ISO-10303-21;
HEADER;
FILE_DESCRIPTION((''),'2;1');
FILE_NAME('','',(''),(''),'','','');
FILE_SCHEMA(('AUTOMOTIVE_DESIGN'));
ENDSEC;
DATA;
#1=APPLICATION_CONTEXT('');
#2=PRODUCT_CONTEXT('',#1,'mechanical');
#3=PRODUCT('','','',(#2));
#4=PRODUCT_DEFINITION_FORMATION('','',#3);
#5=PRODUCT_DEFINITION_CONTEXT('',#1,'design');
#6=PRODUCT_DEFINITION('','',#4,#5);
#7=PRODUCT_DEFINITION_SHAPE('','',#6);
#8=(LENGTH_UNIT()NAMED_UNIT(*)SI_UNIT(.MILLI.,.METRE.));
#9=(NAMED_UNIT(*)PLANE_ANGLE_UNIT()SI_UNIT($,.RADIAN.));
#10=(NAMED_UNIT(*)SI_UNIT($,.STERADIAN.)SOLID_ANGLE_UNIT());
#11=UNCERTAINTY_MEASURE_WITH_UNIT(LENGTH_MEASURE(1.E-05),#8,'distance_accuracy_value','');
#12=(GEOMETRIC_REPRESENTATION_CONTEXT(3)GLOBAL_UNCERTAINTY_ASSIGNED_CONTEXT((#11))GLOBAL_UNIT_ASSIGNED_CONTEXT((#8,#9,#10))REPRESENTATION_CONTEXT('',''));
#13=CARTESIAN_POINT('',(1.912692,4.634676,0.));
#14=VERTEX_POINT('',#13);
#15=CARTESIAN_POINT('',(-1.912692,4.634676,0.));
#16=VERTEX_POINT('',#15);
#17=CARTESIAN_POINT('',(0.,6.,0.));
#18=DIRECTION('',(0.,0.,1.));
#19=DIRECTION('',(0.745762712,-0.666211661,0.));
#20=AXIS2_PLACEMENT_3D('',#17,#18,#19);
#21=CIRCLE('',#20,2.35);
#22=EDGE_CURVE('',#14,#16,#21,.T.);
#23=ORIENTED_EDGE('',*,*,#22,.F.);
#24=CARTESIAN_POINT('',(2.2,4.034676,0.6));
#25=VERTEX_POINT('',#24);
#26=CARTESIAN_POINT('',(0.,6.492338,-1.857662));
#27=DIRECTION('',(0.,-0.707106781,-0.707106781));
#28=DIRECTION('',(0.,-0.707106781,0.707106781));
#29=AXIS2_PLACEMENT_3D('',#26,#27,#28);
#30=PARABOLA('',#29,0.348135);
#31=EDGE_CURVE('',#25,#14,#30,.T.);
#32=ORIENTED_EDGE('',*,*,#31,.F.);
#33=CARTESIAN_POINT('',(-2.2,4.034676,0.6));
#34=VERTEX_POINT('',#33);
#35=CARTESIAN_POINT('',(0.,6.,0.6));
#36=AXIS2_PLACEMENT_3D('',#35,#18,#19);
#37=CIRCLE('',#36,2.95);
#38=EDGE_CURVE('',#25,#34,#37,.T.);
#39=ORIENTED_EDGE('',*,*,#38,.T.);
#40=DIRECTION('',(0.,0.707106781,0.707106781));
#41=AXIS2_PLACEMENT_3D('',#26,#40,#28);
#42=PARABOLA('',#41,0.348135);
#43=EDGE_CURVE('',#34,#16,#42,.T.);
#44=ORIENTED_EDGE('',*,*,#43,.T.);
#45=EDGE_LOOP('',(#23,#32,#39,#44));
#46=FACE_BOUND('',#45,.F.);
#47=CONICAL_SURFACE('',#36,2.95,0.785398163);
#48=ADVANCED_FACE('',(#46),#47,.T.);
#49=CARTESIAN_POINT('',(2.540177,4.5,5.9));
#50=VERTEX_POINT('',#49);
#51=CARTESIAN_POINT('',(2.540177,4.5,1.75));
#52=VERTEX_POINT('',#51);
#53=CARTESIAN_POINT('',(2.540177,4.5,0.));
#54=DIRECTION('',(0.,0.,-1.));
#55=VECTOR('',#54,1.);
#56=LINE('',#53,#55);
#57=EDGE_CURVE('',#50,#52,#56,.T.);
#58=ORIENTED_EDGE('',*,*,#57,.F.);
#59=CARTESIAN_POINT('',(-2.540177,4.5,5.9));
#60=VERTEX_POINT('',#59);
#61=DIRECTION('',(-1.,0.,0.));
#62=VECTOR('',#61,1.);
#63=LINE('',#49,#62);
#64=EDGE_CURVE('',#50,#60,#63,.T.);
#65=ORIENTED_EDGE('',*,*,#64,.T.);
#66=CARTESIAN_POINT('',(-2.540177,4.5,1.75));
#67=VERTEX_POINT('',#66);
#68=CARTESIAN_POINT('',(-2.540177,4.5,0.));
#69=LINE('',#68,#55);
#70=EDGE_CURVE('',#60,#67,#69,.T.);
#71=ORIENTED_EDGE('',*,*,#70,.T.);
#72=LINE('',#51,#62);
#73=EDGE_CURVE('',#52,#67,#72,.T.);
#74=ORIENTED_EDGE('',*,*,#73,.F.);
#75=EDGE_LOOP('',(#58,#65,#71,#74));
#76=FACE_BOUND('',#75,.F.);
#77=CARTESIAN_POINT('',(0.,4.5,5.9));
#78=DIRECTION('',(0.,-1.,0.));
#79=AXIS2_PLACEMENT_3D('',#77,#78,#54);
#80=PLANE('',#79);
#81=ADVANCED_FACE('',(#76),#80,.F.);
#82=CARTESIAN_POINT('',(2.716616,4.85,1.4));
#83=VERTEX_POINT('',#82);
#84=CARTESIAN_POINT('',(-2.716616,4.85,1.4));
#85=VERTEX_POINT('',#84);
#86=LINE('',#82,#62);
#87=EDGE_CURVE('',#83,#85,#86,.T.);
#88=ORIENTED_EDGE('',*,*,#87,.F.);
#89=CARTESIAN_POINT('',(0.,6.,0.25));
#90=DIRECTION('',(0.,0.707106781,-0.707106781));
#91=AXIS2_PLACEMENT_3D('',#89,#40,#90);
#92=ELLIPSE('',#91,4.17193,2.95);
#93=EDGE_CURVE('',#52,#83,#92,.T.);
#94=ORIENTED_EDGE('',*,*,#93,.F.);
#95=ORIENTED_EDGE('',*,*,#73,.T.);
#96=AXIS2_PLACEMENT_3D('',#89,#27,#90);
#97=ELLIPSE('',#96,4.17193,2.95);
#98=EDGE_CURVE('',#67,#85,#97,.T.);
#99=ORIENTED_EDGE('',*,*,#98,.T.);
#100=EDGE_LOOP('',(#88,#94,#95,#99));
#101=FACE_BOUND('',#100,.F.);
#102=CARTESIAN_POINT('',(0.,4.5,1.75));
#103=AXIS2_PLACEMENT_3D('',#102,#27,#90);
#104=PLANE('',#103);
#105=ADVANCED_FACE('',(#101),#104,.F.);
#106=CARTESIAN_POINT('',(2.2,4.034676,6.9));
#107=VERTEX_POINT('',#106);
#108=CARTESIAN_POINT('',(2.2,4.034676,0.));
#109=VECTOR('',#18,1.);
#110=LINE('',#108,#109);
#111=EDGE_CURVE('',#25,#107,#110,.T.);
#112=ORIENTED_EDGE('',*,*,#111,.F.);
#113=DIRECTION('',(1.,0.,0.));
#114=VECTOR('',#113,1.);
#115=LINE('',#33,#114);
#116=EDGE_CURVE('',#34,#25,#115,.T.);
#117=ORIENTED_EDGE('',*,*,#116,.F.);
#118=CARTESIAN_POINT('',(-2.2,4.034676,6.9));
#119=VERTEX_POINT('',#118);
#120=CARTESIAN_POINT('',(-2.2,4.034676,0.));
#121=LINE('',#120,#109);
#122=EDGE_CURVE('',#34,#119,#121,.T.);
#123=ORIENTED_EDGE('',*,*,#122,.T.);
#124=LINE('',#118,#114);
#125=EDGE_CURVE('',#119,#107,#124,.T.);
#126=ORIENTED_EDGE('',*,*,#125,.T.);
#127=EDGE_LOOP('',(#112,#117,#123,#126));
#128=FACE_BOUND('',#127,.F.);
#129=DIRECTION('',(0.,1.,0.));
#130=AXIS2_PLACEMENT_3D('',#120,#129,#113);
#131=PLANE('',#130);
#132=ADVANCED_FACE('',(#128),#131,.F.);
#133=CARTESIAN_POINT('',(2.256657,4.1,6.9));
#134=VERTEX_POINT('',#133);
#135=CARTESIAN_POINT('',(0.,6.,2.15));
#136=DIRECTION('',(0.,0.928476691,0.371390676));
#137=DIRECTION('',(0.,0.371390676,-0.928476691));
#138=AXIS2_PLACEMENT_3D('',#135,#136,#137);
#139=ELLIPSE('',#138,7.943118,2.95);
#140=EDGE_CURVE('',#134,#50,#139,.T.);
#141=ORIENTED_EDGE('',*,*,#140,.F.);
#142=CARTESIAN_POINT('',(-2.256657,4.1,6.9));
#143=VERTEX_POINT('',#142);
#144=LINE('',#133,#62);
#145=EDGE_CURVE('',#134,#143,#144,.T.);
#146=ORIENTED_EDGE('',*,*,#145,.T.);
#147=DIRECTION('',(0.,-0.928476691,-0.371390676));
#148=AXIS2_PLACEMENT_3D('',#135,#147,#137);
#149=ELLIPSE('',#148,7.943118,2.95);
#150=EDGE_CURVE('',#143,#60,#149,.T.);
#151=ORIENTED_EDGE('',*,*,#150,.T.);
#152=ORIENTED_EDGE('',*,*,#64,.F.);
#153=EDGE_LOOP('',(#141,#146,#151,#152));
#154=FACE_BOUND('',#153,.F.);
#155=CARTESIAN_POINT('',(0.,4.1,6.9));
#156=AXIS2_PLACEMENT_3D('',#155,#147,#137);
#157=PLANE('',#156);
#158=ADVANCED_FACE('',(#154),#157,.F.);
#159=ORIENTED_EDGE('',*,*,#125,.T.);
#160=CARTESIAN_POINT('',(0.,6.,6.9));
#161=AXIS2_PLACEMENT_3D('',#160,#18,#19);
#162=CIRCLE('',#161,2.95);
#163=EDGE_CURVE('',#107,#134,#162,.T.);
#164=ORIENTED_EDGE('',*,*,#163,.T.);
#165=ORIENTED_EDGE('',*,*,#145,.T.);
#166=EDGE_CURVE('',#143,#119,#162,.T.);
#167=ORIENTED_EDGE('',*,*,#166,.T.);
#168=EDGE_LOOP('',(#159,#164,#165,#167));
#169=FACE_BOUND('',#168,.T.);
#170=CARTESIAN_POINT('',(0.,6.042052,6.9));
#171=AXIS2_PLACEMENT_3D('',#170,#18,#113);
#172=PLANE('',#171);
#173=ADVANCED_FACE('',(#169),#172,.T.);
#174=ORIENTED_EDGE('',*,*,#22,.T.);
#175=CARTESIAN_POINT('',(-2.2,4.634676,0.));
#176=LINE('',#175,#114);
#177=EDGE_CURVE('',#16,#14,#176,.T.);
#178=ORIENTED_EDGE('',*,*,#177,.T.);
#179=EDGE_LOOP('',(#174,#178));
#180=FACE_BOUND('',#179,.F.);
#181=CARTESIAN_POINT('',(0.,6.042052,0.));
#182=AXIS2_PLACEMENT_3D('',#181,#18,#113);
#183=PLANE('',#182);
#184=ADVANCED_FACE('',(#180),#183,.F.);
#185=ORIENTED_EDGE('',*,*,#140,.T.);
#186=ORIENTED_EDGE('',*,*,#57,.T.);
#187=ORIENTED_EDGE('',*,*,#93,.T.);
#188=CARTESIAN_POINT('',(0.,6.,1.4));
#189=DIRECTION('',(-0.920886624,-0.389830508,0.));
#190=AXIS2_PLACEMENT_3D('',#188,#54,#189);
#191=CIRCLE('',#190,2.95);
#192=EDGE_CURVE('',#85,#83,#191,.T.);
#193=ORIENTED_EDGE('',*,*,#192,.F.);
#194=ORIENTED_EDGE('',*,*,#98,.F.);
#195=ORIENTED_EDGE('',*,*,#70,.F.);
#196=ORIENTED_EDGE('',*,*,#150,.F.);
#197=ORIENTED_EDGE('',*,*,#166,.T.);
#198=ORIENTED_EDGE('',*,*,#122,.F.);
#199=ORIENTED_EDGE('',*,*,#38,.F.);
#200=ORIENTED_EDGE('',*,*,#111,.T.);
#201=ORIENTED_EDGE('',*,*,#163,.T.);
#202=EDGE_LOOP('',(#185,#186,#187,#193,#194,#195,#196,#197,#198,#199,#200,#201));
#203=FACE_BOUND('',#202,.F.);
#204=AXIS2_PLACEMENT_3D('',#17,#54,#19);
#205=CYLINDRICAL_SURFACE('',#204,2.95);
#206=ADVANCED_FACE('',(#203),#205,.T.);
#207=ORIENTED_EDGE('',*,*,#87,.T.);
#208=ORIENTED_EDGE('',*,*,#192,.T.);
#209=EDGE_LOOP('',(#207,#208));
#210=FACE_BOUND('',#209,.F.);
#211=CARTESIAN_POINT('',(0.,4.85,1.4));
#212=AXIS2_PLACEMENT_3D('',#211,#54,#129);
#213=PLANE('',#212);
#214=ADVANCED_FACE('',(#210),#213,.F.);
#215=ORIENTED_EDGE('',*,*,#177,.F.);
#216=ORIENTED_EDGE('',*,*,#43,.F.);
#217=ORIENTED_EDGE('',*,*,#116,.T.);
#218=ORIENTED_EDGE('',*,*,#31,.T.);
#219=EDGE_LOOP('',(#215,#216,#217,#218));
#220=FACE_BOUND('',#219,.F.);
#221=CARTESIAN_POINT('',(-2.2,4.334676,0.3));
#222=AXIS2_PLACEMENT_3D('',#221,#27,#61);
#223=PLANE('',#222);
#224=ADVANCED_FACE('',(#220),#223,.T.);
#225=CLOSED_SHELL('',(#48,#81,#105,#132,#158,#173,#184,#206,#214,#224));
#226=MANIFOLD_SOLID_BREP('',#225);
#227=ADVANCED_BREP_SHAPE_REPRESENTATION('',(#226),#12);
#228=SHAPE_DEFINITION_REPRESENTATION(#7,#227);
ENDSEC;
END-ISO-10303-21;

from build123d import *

# Parameters (mm, degrees)
PAD007_DEPTH         = 6.9
POCKET005_DEPTH      = 2.951
POCKET005_DEPTH_BACK = 2.951
CHAMFER008_SIZE      = 0.6


with BuildPart() as part:
    # Sketch018 → Pad007 (new body)
    with BuildSketch(Plane.XY):
        with BuildLine():
            ThreePointArc((2.2, -1.9653244007), (0, 2.95), (-2.2, -1.9653244007))
            Line((-2.2, -1.9653244007), (2.2, -1.9653244007))
        make_face()
    extrude(amount=PAD007_DEPTH)

    # Sketch019 → Pocket005 (cut, two sides)
    with BuildSketch(Plane.YZ) as pocket005_sk:
        Polygon((-1.9, 6.9), (-1.5, 5.9), (-1.5, 1.75), (-1.15, 1.4), (5, 1.4), (5, 6.9), align=None)
    extrude(amount=-POCKET005_DEPTH, mode=Mode.SUBTRACT)
    extrude(pocket005_sk.sketch, amount=POCKET005_DEPTH_BACK, mode=Mode.SUBTRACT)

    # Chamfer008
    chamfer008_edges = [part.edges().sort_by_distance(p)[0] for p in [
        (0, 2.95, 0),
        (0, -1.965324, 0),
    ]]
    chamfer(chamfer008_edges, length=CHAMFER008_SIZE)


with BuildPart() as part_1:
    # Body051 placement: moved
    add(part.part.moved(Location((0, 6, 0))))


solid = part_1.part
